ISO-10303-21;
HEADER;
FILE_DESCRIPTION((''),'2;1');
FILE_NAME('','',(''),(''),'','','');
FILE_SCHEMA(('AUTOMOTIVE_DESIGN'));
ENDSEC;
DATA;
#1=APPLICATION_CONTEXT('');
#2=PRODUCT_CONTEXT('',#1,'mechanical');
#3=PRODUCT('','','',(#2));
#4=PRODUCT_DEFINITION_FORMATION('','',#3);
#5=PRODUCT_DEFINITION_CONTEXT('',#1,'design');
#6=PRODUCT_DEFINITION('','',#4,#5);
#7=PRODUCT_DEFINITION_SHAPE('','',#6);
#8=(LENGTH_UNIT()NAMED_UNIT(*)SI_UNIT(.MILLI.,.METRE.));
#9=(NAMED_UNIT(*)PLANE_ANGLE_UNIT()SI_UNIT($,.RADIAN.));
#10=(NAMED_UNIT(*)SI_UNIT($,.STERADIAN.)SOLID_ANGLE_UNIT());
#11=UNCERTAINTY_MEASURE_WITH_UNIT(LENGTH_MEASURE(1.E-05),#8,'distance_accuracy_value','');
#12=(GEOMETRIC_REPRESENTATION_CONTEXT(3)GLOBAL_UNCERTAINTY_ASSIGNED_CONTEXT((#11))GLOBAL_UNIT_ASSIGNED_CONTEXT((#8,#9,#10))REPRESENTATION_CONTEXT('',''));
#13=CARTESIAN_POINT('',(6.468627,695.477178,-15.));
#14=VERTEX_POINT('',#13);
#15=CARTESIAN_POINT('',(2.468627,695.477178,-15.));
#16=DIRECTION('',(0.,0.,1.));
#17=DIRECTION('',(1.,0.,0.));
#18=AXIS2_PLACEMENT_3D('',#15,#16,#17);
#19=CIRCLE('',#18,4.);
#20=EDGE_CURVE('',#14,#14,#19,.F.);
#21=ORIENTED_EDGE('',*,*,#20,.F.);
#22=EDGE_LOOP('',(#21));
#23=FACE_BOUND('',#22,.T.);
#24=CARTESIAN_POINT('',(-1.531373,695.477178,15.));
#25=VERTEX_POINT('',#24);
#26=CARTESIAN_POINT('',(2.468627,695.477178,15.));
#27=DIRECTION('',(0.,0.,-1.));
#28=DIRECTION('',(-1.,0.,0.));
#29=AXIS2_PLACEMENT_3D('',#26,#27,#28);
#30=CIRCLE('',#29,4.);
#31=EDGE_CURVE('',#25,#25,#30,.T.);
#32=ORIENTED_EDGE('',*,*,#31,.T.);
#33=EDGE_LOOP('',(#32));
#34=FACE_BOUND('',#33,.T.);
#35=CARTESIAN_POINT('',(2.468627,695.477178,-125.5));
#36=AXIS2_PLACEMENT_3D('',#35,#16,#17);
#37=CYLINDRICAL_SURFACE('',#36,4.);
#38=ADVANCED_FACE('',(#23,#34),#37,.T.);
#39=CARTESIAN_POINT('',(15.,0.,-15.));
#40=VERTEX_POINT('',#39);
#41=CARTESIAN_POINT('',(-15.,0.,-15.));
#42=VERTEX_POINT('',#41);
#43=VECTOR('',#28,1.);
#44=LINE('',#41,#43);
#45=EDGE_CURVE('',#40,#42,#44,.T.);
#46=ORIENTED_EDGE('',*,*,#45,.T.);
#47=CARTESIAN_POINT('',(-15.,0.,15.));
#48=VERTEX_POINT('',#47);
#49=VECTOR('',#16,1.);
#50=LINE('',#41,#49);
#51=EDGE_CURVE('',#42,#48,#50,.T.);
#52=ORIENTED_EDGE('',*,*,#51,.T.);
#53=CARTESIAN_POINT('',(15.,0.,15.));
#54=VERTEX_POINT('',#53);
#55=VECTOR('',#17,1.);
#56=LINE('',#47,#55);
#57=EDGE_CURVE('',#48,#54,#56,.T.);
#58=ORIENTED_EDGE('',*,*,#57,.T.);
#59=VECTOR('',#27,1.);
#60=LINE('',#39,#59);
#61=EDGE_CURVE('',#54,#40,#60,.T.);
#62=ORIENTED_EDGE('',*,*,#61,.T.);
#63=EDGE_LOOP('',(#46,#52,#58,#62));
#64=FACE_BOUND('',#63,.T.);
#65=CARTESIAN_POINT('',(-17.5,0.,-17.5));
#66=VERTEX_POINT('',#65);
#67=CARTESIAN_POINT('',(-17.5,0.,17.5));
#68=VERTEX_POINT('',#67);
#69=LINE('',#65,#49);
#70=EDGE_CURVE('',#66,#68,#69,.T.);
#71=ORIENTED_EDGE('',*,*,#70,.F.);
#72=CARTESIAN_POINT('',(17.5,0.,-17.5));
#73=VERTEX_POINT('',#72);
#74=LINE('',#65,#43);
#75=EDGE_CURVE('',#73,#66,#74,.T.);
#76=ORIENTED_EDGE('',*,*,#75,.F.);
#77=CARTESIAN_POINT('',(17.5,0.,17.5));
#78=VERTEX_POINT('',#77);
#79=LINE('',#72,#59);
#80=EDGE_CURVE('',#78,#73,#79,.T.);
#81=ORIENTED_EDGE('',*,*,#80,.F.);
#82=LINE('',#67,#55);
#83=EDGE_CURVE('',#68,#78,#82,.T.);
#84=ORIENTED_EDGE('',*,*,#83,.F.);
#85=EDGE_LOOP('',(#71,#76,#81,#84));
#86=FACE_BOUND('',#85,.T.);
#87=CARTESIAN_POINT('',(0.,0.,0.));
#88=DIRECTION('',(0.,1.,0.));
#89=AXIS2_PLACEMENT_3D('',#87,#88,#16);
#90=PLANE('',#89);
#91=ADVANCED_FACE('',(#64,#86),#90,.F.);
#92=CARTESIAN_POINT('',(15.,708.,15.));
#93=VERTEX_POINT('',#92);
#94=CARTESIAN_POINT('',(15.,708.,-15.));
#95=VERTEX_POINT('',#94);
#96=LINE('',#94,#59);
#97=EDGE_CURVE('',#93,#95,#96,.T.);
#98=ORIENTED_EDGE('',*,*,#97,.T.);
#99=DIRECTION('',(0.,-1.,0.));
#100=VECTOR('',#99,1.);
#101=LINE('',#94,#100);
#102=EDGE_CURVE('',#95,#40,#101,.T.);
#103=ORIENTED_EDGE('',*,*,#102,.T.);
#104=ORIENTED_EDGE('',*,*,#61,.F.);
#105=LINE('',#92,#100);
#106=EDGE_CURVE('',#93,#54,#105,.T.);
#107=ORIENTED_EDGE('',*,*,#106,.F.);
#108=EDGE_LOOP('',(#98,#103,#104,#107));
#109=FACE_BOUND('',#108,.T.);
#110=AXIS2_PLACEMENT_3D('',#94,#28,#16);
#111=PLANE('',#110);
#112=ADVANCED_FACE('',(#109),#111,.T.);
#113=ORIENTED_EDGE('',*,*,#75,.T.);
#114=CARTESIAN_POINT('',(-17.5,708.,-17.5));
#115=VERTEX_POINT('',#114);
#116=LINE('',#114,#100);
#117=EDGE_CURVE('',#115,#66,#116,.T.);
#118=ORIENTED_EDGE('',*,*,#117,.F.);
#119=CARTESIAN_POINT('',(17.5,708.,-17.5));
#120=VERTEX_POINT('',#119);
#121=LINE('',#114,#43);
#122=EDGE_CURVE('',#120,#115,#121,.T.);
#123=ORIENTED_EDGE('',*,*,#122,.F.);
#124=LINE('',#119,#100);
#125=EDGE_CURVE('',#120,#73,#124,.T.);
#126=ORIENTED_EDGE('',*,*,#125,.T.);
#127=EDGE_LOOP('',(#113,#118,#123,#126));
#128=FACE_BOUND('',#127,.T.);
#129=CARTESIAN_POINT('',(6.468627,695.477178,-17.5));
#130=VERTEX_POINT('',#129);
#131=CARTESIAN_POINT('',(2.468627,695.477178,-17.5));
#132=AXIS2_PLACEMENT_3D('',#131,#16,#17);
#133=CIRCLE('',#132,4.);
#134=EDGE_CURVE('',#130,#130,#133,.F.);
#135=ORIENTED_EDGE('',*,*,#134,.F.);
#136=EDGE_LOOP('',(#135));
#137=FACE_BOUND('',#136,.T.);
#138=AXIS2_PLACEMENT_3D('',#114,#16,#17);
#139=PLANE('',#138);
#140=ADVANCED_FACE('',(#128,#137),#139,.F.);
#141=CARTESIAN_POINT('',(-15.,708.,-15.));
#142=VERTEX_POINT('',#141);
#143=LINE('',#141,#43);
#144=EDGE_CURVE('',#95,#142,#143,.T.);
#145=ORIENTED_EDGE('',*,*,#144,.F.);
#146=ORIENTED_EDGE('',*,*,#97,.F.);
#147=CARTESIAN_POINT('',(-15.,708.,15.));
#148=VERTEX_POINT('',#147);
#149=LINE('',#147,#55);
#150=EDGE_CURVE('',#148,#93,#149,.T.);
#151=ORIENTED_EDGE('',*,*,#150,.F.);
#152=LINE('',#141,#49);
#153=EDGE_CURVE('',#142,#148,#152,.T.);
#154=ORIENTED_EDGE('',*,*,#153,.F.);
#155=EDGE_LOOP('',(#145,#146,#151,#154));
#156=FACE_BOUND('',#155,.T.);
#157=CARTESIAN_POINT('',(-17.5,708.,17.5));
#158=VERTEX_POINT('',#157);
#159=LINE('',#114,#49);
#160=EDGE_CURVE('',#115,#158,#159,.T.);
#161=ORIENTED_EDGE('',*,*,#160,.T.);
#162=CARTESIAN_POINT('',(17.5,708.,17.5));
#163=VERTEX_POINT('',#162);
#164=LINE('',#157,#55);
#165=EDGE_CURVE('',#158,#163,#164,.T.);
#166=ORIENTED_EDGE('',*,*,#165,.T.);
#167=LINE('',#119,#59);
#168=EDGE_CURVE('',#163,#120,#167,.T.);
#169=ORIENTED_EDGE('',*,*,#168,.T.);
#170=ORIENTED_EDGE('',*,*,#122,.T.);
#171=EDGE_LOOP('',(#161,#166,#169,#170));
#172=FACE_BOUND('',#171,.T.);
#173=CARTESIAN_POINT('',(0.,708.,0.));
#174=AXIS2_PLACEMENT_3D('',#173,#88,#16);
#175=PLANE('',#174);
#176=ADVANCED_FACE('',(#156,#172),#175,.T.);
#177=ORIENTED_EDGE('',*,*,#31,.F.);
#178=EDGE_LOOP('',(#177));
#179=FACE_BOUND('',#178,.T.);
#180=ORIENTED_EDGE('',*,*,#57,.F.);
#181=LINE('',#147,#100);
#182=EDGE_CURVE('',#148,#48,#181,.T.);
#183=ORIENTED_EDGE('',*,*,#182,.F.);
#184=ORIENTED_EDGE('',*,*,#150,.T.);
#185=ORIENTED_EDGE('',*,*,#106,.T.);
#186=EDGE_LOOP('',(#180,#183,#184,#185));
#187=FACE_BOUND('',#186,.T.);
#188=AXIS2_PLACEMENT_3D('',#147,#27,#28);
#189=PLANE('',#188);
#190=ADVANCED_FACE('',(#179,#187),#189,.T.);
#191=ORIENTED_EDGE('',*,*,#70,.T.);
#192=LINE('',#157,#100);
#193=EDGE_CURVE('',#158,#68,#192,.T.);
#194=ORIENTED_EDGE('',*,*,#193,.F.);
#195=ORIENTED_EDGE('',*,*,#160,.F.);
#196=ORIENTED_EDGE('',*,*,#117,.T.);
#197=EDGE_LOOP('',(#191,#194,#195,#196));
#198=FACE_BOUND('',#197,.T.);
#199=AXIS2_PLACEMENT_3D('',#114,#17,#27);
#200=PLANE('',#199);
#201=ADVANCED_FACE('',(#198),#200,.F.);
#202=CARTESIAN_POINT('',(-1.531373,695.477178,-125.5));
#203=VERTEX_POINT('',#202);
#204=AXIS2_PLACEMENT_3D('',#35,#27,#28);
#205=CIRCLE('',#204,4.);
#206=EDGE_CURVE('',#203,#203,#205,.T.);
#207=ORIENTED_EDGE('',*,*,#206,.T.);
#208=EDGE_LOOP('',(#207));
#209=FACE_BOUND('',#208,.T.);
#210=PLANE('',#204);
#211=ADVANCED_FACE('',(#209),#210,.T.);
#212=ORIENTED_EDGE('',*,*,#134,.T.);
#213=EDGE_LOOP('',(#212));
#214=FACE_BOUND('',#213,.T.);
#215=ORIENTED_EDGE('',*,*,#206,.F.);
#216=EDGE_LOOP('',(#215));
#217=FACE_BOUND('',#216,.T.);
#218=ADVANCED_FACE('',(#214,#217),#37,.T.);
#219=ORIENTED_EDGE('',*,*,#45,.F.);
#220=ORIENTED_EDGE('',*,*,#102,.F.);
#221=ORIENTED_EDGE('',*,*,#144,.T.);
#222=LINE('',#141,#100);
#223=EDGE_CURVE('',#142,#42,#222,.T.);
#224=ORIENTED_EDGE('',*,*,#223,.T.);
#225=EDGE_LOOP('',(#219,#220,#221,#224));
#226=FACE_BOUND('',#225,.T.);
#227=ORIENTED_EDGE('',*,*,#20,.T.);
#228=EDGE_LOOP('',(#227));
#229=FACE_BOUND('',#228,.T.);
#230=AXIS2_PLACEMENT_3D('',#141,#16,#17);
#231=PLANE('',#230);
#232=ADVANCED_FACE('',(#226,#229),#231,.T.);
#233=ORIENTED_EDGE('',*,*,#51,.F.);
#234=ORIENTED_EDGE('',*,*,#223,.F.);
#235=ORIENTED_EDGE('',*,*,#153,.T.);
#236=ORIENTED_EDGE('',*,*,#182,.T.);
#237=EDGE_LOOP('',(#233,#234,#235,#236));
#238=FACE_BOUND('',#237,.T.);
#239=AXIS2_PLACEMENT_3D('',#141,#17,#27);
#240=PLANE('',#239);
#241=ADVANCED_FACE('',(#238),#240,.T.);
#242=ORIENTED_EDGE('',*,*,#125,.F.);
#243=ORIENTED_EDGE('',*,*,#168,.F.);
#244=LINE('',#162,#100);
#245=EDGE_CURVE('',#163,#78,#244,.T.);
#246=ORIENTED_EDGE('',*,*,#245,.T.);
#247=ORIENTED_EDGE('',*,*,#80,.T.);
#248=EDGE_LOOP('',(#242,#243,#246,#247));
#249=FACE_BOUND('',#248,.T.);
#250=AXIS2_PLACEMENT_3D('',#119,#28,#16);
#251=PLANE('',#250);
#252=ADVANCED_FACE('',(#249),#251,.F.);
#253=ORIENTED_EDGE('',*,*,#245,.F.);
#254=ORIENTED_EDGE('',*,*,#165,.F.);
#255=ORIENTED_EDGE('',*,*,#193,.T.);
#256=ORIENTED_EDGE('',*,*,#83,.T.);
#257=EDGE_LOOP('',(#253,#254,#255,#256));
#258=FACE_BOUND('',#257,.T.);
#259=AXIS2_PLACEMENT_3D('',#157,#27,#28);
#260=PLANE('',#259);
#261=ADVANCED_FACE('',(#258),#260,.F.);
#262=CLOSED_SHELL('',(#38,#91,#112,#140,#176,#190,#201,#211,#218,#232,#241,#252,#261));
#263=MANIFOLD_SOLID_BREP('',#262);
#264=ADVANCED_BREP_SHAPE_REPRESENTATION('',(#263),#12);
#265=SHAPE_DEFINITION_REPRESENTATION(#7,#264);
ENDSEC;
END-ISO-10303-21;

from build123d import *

# Parameters (mm, degrees)
SKETCH1_W           = 35
SKETCH1_H           = 35
SKETCH1_W_2         = 30
SKETCH1_H_2         = 30
BOSS_EXTRUDE1_DEPTH = 708
SKETCH2_R           = 4
BOSS_EXTRUDE2_DEPTH = 140.5


with BuildPart() as part:
    # Sketch1 → Boss-Extrude1 (new body)
    with BuildSketch(Plane(origin=(0, 0, 0), x_dir=(1, 0, 0), z_dir=(0, 1, 0))):
        Rectangle(SKETCH1_W, SKETCH1_H)
        Rectangle(SKETCH1_W_2, SKETCH1_H_2, mode=Mode.SUBTRACT)
    extrude(amount=BOSS_EXTRUDE1_DEPTH)

    # Sketch2 → Boss-Extrude2 (add)
    with BuildSketch(Plane(origin=(0, 0, 15), x_dir=(-1, 0, 0), z_dir=(0, 0, -1))):
        with Locations(Location((-2.4686271, 695.477178337, 0), (0, 0, 180))):
            Circle(SKETCH2_R)
    extrude(amount=BOSS_EXTRUDE2_DEPTH)


solid = part.part
